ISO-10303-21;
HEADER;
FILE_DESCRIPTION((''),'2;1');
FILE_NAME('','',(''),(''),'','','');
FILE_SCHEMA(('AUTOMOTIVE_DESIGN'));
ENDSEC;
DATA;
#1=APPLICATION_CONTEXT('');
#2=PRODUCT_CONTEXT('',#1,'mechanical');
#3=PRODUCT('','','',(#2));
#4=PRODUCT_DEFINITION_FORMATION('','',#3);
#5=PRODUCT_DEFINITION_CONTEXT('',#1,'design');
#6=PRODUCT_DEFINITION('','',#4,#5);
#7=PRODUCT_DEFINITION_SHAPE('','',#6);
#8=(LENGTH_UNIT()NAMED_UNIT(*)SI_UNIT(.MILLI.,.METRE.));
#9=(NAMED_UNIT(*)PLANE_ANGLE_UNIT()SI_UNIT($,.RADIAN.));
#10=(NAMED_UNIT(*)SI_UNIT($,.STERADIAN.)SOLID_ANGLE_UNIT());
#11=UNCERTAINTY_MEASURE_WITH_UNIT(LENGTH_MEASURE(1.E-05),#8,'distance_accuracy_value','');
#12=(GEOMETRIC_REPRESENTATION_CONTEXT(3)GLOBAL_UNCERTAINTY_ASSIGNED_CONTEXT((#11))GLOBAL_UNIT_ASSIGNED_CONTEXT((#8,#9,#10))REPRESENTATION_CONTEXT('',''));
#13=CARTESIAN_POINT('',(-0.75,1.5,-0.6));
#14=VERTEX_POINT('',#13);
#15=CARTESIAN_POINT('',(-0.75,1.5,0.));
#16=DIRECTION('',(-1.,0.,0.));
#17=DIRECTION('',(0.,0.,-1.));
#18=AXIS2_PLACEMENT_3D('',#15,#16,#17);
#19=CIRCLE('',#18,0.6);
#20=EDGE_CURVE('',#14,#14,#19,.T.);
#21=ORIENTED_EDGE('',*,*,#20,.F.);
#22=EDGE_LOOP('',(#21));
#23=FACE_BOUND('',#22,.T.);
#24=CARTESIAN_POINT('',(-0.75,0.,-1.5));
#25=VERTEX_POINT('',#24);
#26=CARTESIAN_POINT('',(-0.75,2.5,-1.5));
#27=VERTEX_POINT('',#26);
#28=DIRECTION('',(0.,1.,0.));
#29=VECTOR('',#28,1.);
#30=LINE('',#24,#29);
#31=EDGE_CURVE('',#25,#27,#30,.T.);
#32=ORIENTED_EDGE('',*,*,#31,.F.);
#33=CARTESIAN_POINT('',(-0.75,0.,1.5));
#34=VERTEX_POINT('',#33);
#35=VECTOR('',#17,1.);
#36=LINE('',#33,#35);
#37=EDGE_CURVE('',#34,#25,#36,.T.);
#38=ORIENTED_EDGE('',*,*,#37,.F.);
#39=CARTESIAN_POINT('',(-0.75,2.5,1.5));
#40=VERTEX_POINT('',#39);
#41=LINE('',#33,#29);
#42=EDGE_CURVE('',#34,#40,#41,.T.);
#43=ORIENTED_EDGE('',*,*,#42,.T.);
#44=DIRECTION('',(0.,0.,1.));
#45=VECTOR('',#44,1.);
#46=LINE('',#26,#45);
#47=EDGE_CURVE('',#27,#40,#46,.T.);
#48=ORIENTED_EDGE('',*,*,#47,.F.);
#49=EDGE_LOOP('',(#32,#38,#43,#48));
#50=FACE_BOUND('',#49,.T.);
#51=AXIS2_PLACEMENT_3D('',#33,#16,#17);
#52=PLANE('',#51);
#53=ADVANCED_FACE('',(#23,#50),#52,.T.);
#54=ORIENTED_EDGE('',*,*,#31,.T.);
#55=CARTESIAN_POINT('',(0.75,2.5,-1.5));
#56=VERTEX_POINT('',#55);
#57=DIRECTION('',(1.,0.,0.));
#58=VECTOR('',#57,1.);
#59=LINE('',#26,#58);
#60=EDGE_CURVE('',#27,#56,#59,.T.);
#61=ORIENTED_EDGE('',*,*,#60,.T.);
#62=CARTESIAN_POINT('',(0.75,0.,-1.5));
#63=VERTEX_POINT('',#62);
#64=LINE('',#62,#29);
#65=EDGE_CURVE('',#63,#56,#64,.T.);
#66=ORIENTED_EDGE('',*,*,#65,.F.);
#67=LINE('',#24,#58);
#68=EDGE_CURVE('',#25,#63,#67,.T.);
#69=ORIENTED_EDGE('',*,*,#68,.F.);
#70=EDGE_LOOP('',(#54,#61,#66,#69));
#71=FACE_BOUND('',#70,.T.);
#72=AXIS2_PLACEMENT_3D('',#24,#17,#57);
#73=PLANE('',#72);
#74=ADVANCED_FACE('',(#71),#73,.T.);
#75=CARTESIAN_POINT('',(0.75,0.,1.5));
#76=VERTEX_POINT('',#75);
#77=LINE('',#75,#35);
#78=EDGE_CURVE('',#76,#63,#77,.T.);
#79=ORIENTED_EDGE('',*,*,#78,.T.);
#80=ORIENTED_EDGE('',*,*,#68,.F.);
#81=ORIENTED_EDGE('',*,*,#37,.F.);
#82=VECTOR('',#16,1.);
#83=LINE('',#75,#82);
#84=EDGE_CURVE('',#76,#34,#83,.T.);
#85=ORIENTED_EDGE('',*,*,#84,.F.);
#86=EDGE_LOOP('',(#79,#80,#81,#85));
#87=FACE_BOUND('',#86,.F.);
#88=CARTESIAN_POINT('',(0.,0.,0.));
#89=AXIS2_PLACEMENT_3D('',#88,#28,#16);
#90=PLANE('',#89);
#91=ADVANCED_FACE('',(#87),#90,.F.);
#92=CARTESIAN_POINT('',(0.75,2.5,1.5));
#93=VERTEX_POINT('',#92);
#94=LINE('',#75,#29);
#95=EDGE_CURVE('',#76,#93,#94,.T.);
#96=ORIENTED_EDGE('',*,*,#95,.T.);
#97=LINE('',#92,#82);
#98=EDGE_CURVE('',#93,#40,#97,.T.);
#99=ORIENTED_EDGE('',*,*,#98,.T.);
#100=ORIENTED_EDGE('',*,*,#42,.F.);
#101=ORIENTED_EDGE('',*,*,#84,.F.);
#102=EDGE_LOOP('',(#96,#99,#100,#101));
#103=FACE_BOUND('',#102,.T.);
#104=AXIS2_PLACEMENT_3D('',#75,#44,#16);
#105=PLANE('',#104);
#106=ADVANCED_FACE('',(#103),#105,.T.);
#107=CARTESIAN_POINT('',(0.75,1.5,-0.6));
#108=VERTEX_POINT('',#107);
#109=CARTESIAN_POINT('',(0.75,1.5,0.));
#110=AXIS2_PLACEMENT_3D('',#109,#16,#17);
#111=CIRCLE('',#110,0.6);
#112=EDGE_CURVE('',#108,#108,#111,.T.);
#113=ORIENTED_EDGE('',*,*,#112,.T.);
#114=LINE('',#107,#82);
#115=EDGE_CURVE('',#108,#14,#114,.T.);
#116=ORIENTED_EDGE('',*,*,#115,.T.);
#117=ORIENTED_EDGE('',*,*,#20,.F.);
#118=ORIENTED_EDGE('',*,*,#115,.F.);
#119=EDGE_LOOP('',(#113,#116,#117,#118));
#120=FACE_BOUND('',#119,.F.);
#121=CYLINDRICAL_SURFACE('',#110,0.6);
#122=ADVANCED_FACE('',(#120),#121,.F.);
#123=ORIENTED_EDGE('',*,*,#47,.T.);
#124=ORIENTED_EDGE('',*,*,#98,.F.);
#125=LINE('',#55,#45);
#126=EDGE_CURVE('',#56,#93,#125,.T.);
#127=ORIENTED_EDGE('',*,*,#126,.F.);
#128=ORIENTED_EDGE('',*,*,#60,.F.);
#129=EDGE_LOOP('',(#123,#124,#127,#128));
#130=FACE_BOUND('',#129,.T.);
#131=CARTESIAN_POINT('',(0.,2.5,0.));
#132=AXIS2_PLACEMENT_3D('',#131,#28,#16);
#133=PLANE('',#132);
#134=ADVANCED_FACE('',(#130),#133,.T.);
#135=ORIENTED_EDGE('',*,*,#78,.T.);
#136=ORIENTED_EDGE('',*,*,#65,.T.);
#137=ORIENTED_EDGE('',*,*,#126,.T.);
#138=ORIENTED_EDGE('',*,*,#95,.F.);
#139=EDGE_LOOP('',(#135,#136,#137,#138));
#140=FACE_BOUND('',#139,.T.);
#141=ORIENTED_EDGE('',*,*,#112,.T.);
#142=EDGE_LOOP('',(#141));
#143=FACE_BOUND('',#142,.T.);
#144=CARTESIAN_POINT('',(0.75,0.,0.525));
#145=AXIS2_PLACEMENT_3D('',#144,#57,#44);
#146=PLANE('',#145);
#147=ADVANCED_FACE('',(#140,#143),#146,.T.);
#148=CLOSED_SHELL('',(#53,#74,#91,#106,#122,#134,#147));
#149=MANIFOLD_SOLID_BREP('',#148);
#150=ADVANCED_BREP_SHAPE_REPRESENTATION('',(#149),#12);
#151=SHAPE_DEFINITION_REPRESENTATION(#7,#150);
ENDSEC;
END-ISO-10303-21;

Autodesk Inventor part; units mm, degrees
ref_plane "YZ Plane" through (0, 0, 0) normal (1, 0, 0) x (0, 1, 0)
ref_plane "XZ Plane" through (0, 0, 0) normal (0, 1, 0) x (-1, 0, 0)
ref_plane "XY Plane" through (0, 0, 0) normal (0, 0, 1) x (1, 0, 0)
sketch "base+body" plane through (0, 0, 0) normal (0, 1, 0) x (-1, 0, 0)
  circle A0 centre (0, 0) radius 2
  line L0 (-0.75, 1.5) -> (0.75, 1.5)
  line L1 (0.75, 1.5) -> (0.75, -1.5)
  line L2 (0.75, -1.5) -> (-0.75, -1.5)
  line L3 (-0.75, -1.5) -> (-0.75, 1.5)
  line L4 (-0.75, 1.5) -> (0.75, -1.5) construction
  line L5 (0.75, 1.5) -> (-0.75, -1.5) construction
  line L6 (-1.5, 0.525) -> (1.5, 0.525)
  line L7 (1.5, 0.525) -> (1.5, -0.525)
  line L8 (1.5, -0.525) -> (-1.5, -0.525)
  line L9 (-1.5, -0.525) -> (-1.5, 0.525)
  line L10 (-1.5, 0.525) -> (1.5, -0.525) construction
  line L11 (1.5, 0.525) -> (-1.5, -0.525) construction
  line L12 (0, 0.525) -> (2, 0.525)
  line L13 (2, 0.525) -> (2, -0.525)
  line L14 (2, -0.525) -> (0, -0.525)
  line L15 (0, -0.525) -> (0, 0.525)
  dimension "d0" = 4
  dimension "d1" = 3
  dimension "d2" = 1.5
  dimension "d3" = 1.05
  dimension "d4" = 3
  dimension "d5" = 1.05
  dimension "d6" = 2
extrude "Extrusion1" add sketch "base+body" along normal blind 2.5 contours L6 L3 L0 L1 | L1 L8 L15 L6 | L1 L2 L3 L8 | L15 L8 L3 L6
sketch "Sketch3" plane through (0.75, 0, 1.5) normal (1, 0, 0) x (0, 0, -1)
  line L0 (3, 0) -> (3, 2.5) projected
  line L1 (0, 0) -> (0, 2.5) projected
  point P0 (1.5, 0)
  point P1 (1.5, 1.5)
  dimension "d9" = 1.5
  dimension "d10" = 3
  dimension "d11" = 2.5
  dimension "d12" = 1.5
hole "Hole1" at (0.75, 1.5, 0) direction (-1, 0, 0) diameter 1.2 end through all
equation "\"d3\" = 0.7 * d2"
equation "\"d4\" = d1"
equation "\"d5\" = d3"
equation "\"d6\" = 0.5 * d0"
equation "\"d9\" = 0.5 * d10"
properties part number "derived_drive_handle"
